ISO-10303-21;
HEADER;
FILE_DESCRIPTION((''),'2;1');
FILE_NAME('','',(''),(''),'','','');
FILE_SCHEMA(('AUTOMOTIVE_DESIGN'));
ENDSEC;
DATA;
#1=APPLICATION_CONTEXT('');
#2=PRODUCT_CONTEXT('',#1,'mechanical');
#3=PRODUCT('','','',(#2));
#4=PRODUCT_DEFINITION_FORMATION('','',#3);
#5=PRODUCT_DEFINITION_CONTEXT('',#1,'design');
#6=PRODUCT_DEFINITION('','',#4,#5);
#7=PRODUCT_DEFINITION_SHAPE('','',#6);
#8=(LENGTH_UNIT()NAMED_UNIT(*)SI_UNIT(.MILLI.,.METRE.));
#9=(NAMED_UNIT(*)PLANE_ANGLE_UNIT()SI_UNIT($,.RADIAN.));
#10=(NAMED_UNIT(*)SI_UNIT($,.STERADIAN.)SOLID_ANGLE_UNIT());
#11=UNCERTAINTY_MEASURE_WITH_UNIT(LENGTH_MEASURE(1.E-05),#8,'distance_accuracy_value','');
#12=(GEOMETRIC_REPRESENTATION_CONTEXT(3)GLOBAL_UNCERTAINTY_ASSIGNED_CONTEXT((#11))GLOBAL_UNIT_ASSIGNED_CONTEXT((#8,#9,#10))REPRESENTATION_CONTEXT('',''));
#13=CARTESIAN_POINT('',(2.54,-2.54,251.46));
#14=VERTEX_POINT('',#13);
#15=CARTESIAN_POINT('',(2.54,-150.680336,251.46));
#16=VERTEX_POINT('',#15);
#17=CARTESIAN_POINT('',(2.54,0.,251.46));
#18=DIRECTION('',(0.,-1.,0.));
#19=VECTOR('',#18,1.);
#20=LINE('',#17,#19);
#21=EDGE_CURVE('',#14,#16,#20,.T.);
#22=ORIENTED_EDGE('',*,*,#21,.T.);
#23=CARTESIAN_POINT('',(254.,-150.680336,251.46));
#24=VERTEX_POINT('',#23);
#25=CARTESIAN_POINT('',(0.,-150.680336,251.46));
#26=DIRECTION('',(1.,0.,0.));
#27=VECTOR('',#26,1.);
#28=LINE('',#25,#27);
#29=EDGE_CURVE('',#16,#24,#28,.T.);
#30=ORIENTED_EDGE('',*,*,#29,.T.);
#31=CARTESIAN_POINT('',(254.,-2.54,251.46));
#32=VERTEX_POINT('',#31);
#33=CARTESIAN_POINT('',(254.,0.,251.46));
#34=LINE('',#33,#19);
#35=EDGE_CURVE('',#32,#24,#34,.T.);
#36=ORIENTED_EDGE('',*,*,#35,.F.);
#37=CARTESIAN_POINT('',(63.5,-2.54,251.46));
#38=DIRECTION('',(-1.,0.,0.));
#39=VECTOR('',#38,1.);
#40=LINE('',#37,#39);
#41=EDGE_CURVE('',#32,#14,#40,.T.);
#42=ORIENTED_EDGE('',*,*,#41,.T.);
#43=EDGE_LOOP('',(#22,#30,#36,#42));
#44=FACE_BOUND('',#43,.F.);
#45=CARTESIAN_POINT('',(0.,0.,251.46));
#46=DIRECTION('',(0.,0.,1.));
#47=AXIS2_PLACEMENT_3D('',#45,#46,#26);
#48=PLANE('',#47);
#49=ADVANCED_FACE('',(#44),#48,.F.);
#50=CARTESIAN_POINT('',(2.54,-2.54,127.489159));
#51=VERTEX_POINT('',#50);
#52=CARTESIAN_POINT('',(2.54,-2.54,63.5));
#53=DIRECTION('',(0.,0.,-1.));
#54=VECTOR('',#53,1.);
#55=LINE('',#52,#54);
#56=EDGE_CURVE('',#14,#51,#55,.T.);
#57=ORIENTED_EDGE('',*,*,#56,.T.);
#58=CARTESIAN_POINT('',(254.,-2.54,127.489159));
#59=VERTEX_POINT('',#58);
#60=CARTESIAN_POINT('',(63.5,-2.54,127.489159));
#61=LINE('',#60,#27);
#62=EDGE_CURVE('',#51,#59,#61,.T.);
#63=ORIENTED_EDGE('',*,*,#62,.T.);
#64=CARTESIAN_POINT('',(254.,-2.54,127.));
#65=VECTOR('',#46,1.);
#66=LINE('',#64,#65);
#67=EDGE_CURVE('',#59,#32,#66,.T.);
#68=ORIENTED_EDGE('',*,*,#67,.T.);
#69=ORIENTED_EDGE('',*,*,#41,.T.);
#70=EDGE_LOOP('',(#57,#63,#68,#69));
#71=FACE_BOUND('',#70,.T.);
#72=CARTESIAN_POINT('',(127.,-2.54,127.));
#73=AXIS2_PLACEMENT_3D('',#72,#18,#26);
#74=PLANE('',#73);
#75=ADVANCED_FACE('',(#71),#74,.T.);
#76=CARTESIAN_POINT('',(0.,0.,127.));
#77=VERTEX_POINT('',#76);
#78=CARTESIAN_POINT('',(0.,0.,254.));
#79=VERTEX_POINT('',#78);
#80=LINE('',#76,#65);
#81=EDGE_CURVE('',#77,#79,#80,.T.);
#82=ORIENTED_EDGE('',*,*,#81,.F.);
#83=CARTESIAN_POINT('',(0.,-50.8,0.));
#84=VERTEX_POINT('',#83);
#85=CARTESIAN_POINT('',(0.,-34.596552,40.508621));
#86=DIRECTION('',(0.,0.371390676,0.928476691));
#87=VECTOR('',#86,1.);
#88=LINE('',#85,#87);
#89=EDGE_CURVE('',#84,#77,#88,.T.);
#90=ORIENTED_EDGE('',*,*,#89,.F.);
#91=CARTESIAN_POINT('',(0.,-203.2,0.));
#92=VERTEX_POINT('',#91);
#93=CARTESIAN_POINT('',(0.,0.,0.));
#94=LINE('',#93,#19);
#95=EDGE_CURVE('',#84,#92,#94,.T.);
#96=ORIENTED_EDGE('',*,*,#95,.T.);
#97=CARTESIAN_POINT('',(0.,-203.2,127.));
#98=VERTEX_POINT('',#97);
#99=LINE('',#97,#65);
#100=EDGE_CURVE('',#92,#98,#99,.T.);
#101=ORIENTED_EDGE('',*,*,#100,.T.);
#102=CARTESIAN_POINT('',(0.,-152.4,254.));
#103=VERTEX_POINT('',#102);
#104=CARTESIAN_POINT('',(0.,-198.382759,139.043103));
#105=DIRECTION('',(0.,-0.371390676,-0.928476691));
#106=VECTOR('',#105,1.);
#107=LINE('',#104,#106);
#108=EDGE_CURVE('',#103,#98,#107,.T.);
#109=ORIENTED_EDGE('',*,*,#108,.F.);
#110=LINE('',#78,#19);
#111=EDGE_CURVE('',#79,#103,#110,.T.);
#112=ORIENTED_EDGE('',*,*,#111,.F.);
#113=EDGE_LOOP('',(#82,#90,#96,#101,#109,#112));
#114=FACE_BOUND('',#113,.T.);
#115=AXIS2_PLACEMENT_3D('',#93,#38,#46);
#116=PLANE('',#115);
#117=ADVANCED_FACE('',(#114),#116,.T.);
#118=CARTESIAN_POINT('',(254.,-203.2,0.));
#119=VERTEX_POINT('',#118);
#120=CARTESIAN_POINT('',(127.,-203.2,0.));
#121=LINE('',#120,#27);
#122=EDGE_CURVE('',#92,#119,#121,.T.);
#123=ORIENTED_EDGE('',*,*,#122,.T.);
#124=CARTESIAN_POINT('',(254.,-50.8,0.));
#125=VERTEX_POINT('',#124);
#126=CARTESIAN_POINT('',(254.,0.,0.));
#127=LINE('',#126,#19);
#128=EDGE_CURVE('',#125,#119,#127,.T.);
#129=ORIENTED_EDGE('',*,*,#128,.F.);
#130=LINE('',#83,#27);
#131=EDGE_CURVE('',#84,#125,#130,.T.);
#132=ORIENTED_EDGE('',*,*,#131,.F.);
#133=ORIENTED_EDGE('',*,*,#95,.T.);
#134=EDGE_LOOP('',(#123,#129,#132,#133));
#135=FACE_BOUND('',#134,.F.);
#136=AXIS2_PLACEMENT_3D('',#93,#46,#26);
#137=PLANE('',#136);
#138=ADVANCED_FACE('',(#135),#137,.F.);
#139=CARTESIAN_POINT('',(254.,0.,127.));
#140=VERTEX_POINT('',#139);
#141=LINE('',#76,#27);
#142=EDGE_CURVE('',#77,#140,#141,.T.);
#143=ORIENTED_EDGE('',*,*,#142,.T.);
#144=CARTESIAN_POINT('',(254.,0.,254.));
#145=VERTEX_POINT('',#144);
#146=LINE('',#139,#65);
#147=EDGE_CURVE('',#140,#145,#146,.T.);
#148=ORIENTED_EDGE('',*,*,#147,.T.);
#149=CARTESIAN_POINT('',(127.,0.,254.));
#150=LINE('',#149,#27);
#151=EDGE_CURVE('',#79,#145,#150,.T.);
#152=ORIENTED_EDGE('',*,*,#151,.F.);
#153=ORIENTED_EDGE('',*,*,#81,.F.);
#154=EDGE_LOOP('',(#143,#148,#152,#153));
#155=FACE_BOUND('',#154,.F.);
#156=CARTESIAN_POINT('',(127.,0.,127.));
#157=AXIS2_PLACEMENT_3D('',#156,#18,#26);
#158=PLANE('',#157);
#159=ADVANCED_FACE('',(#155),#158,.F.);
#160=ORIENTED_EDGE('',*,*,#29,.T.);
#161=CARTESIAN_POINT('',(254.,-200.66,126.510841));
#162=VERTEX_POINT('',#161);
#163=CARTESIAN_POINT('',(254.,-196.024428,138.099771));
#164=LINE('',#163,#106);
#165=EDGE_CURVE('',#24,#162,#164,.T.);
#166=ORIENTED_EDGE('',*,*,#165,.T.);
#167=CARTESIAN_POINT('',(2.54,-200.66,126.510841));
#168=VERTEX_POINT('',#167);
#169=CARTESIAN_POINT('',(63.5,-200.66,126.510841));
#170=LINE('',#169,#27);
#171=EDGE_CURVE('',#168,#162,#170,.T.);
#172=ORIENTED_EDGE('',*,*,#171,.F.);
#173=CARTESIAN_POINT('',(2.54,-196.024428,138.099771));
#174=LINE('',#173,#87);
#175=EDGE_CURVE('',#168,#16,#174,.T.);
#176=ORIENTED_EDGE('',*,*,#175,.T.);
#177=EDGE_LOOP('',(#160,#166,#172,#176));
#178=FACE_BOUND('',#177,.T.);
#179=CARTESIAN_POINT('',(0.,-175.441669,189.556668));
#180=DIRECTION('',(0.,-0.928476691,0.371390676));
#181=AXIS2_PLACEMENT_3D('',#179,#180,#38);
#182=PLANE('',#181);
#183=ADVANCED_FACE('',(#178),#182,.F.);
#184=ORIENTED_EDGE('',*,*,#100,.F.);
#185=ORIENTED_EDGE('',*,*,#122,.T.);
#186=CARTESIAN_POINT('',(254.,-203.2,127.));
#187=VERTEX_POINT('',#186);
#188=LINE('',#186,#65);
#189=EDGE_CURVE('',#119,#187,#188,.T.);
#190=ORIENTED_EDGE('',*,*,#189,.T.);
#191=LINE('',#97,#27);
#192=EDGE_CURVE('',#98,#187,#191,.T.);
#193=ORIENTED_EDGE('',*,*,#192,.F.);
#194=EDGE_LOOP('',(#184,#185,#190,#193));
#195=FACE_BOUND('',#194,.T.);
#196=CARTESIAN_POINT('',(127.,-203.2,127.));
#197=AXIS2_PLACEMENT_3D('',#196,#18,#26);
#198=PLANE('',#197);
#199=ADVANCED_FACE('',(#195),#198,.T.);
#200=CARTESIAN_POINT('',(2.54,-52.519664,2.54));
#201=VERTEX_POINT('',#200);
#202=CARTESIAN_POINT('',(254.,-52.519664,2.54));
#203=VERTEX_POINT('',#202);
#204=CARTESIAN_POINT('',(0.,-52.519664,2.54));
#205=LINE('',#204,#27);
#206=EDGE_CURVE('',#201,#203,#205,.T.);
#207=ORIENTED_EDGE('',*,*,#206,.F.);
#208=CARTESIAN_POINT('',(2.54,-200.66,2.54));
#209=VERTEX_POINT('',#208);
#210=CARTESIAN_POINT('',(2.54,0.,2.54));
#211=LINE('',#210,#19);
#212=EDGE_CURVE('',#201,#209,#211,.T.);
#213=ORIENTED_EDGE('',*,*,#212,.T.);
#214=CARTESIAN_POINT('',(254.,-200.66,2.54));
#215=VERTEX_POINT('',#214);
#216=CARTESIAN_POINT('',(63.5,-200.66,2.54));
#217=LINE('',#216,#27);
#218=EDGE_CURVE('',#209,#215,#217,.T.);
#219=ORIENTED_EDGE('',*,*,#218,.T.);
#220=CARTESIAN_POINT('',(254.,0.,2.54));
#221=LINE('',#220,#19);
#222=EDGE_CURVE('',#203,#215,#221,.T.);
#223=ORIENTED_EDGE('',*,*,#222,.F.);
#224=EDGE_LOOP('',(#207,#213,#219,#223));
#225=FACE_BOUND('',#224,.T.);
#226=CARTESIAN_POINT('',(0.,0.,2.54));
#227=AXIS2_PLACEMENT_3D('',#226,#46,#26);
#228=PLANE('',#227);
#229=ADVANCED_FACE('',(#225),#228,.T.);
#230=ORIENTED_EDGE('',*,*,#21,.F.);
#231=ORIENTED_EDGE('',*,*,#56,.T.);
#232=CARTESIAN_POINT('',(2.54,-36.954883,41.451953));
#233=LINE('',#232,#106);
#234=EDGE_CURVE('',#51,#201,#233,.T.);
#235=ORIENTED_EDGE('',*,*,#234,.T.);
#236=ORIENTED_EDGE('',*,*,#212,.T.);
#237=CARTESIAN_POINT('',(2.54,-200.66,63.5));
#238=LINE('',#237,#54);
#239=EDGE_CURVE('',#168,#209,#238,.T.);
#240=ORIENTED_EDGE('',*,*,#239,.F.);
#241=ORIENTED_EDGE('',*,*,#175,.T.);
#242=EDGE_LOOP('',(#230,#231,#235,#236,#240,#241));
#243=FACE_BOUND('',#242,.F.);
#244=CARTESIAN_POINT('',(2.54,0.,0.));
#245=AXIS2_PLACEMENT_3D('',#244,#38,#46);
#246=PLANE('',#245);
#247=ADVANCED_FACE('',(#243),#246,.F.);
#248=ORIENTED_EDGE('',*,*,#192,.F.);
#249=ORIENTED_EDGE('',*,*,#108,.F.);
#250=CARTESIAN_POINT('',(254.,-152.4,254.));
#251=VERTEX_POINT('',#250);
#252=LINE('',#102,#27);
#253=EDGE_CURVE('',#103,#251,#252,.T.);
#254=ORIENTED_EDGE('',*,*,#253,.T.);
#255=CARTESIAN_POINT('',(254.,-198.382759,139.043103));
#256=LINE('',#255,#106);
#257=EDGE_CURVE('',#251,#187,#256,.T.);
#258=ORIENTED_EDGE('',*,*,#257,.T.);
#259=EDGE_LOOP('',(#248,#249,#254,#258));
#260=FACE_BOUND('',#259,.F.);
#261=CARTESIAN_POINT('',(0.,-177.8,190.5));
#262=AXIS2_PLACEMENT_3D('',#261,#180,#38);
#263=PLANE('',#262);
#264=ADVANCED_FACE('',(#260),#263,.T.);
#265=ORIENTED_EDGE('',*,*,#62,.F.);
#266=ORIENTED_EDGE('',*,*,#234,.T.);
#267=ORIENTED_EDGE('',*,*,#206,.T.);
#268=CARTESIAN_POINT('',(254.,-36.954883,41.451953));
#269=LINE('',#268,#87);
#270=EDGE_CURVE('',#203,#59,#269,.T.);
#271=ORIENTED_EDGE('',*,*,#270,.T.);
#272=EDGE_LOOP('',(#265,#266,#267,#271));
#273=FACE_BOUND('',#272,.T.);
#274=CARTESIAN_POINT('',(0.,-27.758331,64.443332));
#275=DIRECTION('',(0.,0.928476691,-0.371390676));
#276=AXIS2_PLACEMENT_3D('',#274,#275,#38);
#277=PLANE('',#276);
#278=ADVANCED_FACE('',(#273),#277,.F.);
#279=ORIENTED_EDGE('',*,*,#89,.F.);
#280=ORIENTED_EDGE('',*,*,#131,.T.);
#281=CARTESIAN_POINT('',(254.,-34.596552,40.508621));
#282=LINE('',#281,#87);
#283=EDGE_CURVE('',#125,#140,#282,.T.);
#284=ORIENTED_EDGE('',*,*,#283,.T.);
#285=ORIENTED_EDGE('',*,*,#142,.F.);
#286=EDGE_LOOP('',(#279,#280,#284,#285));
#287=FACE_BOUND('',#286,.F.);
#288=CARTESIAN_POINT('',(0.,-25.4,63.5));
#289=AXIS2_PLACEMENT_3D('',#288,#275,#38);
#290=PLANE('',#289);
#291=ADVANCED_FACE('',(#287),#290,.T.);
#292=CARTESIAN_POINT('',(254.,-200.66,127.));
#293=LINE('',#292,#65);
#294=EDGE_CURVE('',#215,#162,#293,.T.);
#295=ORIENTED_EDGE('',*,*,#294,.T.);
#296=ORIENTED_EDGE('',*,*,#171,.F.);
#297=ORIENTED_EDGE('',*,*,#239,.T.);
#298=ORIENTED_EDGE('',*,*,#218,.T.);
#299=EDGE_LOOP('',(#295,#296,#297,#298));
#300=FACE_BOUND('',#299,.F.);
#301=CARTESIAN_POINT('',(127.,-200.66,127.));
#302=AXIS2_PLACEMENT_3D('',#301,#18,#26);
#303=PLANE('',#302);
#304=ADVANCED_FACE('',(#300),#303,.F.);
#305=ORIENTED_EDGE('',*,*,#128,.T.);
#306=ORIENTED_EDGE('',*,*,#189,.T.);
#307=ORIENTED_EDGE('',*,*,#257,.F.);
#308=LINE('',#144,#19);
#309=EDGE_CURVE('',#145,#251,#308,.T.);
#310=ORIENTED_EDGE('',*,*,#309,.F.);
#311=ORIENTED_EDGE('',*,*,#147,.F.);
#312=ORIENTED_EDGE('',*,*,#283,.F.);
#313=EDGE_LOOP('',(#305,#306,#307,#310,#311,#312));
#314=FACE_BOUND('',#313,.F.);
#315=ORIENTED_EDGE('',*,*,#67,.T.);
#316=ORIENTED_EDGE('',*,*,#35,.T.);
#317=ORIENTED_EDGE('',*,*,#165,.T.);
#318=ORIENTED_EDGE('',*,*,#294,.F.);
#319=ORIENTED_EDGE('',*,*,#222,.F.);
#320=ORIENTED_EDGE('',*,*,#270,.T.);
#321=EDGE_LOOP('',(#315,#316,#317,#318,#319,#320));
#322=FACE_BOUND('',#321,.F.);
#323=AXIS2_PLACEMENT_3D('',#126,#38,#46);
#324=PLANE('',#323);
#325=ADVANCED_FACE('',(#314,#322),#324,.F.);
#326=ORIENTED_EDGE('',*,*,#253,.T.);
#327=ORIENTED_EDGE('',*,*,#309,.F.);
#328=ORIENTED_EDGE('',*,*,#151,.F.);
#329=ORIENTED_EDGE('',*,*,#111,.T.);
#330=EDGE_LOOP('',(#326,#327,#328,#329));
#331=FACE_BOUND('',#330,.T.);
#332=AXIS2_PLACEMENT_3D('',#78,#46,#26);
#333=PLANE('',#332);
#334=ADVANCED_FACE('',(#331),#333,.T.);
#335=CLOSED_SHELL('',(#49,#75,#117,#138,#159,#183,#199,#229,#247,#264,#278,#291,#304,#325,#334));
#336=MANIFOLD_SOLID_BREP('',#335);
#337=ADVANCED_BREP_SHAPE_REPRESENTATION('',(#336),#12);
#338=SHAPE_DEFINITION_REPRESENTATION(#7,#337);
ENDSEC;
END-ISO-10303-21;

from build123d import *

# Parameters (mm, degrees)
F0_W     = 254
F0_H     = 254
F1_DEPTH = 203.2
F2_SIZE2 = 127
F2_SIZE  = 50.8
F3_T     = -2.54


with BuildPart() as f1:
    # F0 (on Front) → F1 (new body)
    with BuildSketch(Plane.XZ):
        with Locations((127, 127)):
            Rectangle(F0_W, F0_H)
    extrude(amount=F1_DEPTH)

    # F2
    f2_edges = [f1.edges().sort_by_distance(p)[0] for p in [
        (127, -203.2, 254),
        (127, 0, 0),
    ]]
    chamfer(f2_edges, length=F2_SIZE, length2=F2_SIZE2)

    # F3
    f3_openings = [f1.faces().sort_by_distance(p)[0] for p in [
        (254, -101.6, 127),
    ]]
    offset(amount=F3_T, openings=f3_openings)


solid = f1.part
